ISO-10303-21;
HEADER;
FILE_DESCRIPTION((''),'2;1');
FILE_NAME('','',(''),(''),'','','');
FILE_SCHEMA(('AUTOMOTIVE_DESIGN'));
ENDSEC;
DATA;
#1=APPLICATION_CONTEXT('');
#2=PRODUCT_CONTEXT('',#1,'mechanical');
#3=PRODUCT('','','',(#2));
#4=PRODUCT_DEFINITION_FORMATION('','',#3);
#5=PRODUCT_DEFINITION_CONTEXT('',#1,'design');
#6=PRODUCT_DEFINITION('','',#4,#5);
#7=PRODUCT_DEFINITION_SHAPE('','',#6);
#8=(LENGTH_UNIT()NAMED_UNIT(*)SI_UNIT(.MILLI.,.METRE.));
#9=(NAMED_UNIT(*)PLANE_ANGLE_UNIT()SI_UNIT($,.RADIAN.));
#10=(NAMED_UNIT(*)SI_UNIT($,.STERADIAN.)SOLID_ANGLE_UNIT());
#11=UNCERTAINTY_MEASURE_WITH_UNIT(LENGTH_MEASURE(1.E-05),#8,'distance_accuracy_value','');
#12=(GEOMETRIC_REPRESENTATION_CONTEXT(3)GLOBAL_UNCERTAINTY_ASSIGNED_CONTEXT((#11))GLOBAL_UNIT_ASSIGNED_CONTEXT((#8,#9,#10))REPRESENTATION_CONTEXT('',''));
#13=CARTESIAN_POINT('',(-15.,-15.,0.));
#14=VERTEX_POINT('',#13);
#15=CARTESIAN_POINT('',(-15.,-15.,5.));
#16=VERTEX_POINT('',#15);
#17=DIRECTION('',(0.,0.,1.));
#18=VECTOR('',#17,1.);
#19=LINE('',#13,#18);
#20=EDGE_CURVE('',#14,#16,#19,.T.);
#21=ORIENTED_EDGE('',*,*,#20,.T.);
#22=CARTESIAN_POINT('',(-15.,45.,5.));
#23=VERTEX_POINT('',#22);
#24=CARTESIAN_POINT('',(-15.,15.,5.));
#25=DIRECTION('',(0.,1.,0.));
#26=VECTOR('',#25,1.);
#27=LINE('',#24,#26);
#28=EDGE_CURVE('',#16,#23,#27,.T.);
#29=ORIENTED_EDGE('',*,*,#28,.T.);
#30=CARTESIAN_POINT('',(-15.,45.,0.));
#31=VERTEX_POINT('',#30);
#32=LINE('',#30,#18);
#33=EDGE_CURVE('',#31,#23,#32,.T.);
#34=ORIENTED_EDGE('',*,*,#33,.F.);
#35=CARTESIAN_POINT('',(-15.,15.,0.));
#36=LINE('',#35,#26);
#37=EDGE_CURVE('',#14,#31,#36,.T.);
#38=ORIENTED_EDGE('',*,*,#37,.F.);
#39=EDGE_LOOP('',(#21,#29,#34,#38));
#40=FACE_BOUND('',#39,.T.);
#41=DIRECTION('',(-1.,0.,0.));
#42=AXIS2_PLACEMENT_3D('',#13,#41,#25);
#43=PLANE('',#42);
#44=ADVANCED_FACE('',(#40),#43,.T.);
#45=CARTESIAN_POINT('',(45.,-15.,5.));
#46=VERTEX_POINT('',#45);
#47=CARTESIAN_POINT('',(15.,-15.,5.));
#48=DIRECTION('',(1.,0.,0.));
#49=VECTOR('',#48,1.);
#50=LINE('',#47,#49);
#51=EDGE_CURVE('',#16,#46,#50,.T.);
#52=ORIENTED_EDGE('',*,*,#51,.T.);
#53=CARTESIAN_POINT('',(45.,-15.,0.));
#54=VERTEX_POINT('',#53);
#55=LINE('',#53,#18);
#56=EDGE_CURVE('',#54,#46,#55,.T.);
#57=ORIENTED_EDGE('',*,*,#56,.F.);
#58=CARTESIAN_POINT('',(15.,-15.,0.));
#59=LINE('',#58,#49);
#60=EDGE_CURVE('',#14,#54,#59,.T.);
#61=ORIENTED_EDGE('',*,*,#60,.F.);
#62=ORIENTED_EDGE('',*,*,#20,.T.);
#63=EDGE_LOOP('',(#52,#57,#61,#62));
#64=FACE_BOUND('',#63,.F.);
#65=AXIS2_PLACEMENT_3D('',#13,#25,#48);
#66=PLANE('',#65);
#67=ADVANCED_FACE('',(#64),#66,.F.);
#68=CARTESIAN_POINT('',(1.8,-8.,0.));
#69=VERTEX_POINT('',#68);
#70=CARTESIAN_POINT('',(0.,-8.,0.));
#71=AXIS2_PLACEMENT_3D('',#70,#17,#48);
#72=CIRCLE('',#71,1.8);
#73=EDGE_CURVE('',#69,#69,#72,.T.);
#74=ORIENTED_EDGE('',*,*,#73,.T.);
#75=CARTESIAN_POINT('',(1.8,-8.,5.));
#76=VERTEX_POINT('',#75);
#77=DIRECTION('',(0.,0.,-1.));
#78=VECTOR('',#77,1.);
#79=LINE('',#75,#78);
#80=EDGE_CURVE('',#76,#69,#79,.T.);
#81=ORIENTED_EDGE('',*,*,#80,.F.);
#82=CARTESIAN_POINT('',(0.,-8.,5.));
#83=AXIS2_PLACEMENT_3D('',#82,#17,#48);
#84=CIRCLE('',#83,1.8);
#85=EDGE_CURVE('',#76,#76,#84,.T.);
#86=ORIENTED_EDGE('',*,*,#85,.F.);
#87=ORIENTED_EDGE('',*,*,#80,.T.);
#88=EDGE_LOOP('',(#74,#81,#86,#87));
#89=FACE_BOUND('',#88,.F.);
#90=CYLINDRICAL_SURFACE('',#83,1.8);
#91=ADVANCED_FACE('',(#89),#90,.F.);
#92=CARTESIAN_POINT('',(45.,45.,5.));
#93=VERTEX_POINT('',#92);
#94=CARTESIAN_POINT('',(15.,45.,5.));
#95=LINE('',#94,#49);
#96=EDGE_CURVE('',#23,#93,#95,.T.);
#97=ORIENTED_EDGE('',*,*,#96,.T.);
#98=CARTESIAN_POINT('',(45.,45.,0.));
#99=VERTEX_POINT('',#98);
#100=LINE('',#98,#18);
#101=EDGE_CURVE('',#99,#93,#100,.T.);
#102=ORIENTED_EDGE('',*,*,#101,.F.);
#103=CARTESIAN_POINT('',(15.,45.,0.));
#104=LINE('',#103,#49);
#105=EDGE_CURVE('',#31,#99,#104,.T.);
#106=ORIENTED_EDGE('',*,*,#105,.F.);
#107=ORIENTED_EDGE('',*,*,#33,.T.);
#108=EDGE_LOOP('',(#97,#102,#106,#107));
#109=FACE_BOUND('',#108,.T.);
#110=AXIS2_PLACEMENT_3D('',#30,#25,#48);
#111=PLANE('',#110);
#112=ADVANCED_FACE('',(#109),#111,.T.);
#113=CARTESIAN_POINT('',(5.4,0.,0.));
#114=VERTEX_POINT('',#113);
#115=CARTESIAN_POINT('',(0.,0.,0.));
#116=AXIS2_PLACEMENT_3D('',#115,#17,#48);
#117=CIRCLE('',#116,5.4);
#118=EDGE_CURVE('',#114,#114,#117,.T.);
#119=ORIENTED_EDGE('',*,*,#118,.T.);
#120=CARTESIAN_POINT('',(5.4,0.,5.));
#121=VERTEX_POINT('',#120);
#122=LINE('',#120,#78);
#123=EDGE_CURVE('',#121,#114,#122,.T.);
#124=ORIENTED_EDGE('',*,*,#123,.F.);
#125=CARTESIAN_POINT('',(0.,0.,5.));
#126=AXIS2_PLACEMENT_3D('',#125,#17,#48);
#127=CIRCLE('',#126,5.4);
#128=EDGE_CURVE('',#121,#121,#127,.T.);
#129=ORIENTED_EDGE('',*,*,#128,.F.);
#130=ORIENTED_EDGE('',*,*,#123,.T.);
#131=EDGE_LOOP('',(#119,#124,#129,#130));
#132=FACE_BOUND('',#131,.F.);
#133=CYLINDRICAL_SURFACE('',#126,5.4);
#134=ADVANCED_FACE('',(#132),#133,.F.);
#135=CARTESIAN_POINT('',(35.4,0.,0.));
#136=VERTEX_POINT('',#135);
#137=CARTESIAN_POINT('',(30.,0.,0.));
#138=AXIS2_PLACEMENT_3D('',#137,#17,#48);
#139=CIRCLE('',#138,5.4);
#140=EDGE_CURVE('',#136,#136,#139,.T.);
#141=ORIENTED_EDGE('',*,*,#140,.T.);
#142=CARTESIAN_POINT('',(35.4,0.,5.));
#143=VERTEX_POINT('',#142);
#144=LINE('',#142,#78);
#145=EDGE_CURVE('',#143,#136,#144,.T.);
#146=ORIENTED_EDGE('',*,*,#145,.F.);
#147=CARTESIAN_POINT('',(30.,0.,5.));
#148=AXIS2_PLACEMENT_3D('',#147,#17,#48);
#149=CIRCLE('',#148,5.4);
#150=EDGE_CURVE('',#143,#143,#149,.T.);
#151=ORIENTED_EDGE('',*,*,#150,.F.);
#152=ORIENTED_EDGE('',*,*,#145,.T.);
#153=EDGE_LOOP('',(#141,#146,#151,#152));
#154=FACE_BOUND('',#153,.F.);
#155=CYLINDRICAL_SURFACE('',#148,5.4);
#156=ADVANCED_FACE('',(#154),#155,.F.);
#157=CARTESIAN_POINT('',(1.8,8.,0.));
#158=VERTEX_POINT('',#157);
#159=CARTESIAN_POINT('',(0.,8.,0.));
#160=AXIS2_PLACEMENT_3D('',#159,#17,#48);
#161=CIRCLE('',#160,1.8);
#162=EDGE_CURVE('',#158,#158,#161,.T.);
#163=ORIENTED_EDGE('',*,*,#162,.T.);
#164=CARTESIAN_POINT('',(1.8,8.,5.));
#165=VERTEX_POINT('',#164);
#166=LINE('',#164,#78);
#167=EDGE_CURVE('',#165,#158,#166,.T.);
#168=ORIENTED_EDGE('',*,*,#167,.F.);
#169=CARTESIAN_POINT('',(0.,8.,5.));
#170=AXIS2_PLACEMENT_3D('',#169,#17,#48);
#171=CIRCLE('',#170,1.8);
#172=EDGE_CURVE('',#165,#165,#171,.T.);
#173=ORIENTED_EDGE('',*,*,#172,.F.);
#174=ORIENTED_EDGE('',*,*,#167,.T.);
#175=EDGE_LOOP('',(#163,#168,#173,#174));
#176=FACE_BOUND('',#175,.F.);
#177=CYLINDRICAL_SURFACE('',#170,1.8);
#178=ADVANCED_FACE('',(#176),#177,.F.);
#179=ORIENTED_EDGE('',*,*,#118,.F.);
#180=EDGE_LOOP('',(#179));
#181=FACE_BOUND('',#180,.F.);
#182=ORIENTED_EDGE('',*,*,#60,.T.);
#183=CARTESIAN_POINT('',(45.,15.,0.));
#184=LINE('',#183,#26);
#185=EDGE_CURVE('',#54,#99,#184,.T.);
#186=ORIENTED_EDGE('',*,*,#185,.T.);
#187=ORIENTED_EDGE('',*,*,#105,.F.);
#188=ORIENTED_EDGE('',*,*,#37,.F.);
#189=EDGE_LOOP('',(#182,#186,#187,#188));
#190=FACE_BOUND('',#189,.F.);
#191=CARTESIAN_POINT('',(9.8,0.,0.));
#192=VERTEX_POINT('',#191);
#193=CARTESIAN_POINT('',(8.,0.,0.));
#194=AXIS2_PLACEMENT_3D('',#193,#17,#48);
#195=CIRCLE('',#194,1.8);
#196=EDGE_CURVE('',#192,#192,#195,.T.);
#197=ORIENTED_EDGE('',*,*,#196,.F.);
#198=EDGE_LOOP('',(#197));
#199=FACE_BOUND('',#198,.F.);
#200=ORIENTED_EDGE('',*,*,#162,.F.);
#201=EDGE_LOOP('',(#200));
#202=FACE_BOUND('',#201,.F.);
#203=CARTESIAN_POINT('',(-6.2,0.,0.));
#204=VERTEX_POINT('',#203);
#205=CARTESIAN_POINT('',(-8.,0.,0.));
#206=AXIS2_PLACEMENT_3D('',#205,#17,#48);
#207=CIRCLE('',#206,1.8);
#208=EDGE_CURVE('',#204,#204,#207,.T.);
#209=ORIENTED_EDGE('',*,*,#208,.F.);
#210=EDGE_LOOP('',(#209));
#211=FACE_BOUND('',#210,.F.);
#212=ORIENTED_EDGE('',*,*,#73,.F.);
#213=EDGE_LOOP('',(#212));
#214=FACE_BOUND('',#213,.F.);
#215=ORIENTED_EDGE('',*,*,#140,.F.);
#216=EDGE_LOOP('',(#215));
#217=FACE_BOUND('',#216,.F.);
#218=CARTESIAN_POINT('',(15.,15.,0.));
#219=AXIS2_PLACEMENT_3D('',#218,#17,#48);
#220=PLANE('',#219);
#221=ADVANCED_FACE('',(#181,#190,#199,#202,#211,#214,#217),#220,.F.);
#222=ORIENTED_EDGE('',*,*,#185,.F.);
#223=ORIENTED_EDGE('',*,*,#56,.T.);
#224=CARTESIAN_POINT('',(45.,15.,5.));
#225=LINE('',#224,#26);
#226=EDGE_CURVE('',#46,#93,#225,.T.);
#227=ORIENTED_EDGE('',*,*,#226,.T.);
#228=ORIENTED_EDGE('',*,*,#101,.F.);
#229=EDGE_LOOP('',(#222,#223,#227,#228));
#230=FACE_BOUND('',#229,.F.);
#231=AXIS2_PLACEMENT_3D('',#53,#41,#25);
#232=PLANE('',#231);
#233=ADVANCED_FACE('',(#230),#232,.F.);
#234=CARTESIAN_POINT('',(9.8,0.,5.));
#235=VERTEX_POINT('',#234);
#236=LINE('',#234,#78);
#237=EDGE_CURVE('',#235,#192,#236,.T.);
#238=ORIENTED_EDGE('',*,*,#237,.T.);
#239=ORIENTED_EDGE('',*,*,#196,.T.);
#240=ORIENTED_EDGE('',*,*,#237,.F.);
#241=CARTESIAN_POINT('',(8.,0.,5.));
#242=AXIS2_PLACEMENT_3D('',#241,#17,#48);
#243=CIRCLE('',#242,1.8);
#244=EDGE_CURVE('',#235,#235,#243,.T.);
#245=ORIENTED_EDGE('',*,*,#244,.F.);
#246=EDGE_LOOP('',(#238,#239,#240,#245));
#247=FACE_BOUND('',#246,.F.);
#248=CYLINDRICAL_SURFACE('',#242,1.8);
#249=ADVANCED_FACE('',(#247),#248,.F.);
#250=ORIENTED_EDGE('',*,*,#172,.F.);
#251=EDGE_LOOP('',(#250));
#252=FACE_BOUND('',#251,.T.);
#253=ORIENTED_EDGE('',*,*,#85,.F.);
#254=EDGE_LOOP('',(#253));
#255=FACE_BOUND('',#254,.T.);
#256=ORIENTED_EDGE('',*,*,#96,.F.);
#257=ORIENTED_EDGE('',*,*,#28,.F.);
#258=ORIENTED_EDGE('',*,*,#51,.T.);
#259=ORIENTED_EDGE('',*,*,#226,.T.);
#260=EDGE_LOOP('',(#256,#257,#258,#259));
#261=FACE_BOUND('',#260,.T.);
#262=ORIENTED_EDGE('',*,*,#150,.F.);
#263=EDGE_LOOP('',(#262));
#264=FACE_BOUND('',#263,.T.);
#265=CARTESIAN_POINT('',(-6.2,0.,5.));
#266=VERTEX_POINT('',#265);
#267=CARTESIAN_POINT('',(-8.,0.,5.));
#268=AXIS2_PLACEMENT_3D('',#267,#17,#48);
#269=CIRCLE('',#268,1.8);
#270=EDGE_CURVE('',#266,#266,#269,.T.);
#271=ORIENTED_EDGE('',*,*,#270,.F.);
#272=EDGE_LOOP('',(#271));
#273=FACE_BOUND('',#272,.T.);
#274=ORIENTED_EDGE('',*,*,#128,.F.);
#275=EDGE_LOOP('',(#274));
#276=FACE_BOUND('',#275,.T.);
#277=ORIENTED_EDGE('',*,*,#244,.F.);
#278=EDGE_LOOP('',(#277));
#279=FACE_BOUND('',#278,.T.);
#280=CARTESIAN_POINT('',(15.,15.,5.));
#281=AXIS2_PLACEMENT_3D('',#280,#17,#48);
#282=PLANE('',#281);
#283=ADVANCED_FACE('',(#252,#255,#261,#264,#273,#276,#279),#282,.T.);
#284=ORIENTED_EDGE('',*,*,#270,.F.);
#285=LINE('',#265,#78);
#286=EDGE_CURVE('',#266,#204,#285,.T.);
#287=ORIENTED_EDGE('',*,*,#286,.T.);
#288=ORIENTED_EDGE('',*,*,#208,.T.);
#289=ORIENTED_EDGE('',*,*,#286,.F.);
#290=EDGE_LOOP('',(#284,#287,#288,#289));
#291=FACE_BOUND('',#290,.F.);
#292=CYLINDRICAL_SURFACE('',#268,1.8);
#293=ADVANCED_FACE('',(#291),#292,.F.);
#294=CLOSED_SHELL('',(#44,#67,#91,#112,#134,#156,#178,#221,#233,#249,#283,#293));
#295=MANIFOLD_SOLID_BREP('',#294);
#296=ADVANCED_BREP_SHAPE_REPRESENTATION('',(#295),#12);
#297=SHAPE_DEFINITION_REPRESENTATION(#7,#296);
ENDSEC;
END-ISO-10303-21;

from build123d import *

# Parameters (mm, degrees)
SKETCH_W      = 60
SKETCH_H      = 60
PAD_DEPTH     = 5
SKETCH001_R   = 1.8
SKETCH001_R_2 = 5.4
POCKET_DEPTH  = 15


with BuildPart() as part:
    # Sketch → Pad (new body)
    with BuildSketch(Plane.XY):
        with Locations((15, 15)):
            Rectangle(SKETCH_W, SKETCH_H)
    extrude(amount=PAD_DEPTH)

    # Sketch001 (on Face6 of Pad) → Pocket (cut)
    with BuildSketch(Plane.XY.offset(5)):
        with Locations((-8, 0)):
            Circle(SKETCH001_R)
        with Locations((0, -8)):
            Circle(SKETCH001_R)
        with Locations((0, 8)):
            Circle(SKETCH001_R)
        with Locations((8, 0)):
            Circle(SKETCH001_R)
        Circle(SKETCH001_R_2)
        with Locations((30, 0)):
            Circle(SKETCH001_R_2)
    extrude(amount=-POCKET_DEPTH, mode=Mode.SUBTRACT)


solid = part.part
